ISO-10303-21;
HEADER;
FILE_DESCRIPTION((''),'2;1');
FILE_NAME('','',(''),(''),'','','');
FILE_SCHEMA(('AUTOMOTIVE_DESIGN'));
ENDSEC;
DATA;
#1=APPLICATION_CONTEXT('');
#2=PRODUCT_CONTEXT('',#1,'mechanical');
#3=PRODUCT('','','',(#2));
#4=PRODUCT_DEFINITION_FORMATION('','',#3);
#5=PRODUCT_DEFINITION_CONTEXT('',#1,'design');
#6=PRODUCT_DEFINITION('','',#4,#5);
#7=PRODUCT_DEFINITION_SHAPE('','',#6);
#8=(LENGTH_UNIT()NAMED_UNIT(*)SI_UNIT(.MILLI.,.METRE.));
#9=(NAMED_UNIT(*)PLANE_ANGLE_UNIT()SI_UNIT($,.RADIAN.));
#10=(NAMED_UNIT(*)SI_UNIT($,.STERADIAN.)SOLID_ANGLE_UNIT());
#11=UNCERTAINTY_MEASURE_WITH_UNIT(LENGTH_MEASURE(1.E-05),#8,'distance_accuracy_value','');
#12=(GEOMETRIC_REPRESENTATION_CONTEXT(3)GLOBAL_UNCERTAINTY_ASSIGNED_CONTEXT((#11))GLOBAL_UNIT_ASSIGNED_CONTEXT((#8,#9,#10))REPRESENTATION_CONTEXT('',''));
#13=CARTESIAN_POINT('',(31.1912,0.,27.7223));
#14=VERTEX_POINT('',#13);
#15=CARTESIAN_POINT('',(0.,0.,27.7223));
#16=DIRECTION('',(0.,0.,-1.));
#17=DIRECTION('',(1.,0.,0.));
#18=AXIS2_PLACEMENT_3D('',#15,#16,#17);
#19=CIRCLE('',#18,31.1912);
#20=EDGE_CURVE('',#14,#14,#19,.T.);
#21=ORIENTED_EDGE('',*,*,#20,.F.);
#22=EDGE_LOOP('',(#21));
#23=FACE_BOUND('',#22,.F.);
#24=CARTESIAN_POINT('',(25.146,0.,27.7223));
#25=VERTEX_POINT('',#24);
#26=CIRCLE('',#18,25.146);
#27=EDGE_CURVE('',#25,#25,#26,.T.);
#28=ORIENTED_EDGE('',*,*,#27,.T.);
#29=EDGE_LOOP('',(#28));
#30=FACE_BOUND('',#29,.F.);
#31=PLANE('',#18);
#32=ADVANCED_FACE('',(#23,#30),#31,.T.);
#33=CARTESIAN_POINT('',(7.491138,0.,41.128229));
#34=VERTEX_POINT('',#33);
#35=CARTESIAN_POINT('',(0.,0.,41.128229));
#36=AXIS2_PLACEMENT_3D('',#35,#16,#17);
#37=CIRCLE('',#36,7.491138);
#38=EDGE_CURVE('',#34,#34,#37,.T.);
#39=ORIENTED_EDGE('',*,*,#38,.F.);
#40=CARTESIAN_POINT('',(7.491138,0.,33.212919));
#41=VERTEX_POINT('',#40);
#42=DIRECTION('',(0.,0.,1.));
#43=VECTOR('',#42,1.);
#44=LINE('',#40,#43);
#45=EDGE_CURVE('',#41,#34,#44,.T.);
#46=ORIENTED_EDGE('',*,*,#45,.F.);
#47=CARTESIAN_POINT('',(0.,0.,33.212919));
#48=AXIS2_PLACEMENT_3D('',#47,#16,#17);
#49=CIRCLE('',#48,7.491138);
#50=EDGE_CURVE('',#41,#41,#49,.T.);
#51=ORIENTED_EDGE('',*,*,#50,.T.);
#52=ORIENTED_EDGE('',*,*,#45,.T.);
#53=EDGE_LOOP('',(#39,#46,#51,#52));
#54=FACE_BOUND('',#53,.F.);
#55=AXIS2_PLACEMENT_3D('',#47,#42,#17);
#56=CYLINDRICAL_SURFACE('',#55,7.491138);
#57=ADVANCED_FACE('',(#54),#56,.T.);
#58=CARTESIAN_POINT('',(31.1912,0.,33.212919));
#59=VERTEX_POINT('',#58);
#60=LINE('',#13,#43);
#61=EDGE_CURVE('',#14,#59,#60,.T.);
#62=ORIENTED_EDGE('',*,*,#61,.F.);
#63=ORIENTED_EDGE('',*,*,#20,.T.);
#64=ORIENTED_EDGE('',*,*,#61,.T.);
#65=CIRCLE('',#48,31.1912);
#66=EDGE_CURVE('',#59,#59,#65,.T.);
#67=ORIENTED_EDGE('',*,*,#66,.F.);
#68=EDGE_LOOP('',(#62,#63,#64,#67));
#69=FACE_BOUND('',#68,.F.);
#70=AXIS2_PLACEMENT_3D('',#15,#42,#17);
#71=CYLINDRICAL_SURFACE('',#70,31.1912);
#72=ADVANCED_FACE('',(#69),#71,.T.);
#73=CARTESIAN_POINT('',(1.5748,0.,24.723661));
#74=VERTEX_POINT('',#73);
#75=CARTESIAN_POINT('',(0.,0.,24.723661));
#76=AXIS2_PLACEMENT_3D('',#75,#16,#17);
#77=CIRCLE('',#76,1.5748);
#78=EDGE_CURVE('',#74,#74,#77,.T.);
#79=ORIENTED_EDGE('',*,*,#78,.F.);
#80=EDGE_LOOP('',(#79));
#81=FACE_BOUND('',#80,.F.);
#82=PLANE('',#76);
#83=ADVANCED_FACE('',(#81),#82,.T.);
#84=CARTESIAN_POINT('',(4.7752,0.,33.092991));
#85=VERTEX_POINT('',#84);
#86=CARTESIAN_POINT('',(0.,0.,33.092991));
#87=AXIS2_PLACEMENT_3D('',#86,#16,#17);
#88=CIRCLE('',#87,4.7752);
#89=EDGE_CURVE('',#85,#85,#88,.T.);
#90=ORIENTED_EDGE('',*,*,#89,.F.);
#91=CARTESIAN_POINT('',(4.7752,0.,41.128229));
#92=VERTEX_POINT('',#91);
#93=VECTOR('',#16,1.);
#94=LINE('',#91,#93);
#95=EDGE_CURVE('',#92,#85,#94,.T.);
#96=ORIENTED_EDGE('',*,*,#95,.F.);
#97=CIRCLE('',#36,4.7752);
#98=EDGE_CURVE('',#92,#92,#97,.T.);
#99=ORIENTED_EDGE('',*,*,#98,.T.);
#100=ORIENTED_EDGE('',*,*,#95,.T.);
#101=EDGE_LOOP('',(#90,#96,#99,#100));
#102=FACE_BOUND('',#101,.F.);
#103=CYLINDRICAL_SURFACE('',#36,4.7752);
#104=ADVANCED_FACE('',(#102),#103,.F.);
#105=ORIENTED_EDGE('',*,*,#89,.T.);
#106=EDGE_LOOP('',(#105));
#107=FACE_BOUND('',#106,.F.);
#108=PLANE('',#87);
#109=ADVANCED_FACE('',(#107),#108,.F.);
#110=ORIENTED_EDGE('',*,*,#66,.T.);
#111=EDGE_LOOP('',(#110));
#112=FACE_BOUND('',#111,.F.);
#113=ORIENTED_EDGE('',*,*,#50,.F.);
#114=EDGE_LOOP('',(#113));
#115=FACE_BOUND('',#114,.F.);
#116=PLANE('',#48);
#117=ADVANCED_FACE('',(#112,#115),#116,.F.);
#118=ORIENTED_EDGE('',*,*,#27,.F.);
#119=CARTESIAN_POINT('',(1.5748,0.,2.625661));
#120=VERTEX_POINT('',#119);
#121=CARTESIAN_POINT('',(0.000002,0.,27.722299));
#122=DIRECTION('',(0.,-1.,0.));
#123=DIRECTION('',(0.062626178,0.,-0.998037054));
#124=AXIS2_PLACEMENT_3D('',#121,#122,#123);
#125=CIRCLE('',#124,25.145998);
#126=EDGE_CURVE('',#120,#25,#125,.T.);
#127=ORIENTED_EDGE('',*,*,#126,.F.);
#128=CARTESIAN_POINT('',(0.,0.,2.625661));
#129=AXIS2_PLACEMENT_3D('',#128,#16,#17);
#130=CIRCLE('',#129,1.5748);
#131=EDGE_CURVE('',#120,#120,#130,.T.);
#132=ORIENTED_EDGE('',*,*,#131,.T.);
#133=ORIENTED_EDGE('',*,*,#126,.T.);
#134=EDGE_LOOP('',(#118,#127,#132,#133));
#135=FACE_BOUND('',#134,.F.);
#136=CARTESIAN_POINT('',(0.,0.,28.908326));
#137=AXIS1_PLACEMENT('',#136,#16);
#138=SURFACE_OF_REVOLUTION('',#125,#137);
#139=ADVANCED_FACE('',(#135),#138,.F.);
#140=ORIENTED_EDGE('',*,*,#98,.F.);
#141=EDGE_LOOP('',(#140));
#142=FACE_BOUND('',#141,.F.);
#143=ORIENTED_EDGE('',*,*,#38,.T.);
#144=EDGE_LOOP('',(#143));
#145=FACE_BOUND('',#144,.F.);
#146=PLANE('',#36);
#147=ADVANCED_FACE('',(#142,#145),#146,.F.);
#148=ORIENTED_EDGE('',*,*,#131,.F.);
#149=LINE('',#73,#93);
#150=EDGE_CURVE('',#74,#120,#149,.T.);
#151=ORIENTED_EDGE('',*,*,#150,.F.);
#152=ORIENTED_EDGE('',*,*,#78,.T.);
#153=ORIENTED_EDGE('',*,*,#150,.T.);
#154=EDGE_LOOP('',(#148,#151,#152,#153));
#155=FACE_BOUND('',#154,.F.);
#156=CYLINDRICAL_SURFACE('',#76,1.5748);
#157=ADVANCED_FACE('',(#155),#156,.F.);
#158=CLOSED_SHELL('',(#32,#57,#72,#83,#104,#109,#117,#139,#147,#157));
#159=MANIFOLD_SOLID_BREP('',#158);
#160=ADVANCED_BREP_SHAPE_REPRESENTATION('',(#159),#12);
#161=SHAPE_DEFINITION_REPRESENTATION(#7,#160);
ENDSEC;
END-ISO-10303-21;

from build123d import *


with BuildPart() as f1:
    # F0 (on Front) → F1 (revolve)
    with BuildSketch(Plane.XZ):
        with BuildLine():
            Line((1.5748, 24.723661), (1.5748, 2.625661))
            ThreePointArc((1.5748, 2.625661), (18.329229, 10.50717), (25.146, 27.7223))
            Line((25.146, 27.7223), (31.1912, 27.7223))
            Line((31.1912, 27.7223), (31.1912, 33.212919))
            Line((31.1912, 33.212919), (7.491138, 33.212919))
            Line((7.491138, 33.212919), (7.491138, 41.128229))
            Line((7.491138, 41.128229), (4.7752, 41.128229))
            Line((4.7752, 41.128229), (4.7752, 33.092991))
            Line((4.7752, 33.092991), (0, 33.092991))
            Line((0, 33.092991), (0, 24.723661))
            Line((0, 24.723661), (1.5748, 24.723661))
        make_face()
    revolve(axis=Axis((0, 0, 28.908326), (0, 0, -1)))


solid = f1.part
